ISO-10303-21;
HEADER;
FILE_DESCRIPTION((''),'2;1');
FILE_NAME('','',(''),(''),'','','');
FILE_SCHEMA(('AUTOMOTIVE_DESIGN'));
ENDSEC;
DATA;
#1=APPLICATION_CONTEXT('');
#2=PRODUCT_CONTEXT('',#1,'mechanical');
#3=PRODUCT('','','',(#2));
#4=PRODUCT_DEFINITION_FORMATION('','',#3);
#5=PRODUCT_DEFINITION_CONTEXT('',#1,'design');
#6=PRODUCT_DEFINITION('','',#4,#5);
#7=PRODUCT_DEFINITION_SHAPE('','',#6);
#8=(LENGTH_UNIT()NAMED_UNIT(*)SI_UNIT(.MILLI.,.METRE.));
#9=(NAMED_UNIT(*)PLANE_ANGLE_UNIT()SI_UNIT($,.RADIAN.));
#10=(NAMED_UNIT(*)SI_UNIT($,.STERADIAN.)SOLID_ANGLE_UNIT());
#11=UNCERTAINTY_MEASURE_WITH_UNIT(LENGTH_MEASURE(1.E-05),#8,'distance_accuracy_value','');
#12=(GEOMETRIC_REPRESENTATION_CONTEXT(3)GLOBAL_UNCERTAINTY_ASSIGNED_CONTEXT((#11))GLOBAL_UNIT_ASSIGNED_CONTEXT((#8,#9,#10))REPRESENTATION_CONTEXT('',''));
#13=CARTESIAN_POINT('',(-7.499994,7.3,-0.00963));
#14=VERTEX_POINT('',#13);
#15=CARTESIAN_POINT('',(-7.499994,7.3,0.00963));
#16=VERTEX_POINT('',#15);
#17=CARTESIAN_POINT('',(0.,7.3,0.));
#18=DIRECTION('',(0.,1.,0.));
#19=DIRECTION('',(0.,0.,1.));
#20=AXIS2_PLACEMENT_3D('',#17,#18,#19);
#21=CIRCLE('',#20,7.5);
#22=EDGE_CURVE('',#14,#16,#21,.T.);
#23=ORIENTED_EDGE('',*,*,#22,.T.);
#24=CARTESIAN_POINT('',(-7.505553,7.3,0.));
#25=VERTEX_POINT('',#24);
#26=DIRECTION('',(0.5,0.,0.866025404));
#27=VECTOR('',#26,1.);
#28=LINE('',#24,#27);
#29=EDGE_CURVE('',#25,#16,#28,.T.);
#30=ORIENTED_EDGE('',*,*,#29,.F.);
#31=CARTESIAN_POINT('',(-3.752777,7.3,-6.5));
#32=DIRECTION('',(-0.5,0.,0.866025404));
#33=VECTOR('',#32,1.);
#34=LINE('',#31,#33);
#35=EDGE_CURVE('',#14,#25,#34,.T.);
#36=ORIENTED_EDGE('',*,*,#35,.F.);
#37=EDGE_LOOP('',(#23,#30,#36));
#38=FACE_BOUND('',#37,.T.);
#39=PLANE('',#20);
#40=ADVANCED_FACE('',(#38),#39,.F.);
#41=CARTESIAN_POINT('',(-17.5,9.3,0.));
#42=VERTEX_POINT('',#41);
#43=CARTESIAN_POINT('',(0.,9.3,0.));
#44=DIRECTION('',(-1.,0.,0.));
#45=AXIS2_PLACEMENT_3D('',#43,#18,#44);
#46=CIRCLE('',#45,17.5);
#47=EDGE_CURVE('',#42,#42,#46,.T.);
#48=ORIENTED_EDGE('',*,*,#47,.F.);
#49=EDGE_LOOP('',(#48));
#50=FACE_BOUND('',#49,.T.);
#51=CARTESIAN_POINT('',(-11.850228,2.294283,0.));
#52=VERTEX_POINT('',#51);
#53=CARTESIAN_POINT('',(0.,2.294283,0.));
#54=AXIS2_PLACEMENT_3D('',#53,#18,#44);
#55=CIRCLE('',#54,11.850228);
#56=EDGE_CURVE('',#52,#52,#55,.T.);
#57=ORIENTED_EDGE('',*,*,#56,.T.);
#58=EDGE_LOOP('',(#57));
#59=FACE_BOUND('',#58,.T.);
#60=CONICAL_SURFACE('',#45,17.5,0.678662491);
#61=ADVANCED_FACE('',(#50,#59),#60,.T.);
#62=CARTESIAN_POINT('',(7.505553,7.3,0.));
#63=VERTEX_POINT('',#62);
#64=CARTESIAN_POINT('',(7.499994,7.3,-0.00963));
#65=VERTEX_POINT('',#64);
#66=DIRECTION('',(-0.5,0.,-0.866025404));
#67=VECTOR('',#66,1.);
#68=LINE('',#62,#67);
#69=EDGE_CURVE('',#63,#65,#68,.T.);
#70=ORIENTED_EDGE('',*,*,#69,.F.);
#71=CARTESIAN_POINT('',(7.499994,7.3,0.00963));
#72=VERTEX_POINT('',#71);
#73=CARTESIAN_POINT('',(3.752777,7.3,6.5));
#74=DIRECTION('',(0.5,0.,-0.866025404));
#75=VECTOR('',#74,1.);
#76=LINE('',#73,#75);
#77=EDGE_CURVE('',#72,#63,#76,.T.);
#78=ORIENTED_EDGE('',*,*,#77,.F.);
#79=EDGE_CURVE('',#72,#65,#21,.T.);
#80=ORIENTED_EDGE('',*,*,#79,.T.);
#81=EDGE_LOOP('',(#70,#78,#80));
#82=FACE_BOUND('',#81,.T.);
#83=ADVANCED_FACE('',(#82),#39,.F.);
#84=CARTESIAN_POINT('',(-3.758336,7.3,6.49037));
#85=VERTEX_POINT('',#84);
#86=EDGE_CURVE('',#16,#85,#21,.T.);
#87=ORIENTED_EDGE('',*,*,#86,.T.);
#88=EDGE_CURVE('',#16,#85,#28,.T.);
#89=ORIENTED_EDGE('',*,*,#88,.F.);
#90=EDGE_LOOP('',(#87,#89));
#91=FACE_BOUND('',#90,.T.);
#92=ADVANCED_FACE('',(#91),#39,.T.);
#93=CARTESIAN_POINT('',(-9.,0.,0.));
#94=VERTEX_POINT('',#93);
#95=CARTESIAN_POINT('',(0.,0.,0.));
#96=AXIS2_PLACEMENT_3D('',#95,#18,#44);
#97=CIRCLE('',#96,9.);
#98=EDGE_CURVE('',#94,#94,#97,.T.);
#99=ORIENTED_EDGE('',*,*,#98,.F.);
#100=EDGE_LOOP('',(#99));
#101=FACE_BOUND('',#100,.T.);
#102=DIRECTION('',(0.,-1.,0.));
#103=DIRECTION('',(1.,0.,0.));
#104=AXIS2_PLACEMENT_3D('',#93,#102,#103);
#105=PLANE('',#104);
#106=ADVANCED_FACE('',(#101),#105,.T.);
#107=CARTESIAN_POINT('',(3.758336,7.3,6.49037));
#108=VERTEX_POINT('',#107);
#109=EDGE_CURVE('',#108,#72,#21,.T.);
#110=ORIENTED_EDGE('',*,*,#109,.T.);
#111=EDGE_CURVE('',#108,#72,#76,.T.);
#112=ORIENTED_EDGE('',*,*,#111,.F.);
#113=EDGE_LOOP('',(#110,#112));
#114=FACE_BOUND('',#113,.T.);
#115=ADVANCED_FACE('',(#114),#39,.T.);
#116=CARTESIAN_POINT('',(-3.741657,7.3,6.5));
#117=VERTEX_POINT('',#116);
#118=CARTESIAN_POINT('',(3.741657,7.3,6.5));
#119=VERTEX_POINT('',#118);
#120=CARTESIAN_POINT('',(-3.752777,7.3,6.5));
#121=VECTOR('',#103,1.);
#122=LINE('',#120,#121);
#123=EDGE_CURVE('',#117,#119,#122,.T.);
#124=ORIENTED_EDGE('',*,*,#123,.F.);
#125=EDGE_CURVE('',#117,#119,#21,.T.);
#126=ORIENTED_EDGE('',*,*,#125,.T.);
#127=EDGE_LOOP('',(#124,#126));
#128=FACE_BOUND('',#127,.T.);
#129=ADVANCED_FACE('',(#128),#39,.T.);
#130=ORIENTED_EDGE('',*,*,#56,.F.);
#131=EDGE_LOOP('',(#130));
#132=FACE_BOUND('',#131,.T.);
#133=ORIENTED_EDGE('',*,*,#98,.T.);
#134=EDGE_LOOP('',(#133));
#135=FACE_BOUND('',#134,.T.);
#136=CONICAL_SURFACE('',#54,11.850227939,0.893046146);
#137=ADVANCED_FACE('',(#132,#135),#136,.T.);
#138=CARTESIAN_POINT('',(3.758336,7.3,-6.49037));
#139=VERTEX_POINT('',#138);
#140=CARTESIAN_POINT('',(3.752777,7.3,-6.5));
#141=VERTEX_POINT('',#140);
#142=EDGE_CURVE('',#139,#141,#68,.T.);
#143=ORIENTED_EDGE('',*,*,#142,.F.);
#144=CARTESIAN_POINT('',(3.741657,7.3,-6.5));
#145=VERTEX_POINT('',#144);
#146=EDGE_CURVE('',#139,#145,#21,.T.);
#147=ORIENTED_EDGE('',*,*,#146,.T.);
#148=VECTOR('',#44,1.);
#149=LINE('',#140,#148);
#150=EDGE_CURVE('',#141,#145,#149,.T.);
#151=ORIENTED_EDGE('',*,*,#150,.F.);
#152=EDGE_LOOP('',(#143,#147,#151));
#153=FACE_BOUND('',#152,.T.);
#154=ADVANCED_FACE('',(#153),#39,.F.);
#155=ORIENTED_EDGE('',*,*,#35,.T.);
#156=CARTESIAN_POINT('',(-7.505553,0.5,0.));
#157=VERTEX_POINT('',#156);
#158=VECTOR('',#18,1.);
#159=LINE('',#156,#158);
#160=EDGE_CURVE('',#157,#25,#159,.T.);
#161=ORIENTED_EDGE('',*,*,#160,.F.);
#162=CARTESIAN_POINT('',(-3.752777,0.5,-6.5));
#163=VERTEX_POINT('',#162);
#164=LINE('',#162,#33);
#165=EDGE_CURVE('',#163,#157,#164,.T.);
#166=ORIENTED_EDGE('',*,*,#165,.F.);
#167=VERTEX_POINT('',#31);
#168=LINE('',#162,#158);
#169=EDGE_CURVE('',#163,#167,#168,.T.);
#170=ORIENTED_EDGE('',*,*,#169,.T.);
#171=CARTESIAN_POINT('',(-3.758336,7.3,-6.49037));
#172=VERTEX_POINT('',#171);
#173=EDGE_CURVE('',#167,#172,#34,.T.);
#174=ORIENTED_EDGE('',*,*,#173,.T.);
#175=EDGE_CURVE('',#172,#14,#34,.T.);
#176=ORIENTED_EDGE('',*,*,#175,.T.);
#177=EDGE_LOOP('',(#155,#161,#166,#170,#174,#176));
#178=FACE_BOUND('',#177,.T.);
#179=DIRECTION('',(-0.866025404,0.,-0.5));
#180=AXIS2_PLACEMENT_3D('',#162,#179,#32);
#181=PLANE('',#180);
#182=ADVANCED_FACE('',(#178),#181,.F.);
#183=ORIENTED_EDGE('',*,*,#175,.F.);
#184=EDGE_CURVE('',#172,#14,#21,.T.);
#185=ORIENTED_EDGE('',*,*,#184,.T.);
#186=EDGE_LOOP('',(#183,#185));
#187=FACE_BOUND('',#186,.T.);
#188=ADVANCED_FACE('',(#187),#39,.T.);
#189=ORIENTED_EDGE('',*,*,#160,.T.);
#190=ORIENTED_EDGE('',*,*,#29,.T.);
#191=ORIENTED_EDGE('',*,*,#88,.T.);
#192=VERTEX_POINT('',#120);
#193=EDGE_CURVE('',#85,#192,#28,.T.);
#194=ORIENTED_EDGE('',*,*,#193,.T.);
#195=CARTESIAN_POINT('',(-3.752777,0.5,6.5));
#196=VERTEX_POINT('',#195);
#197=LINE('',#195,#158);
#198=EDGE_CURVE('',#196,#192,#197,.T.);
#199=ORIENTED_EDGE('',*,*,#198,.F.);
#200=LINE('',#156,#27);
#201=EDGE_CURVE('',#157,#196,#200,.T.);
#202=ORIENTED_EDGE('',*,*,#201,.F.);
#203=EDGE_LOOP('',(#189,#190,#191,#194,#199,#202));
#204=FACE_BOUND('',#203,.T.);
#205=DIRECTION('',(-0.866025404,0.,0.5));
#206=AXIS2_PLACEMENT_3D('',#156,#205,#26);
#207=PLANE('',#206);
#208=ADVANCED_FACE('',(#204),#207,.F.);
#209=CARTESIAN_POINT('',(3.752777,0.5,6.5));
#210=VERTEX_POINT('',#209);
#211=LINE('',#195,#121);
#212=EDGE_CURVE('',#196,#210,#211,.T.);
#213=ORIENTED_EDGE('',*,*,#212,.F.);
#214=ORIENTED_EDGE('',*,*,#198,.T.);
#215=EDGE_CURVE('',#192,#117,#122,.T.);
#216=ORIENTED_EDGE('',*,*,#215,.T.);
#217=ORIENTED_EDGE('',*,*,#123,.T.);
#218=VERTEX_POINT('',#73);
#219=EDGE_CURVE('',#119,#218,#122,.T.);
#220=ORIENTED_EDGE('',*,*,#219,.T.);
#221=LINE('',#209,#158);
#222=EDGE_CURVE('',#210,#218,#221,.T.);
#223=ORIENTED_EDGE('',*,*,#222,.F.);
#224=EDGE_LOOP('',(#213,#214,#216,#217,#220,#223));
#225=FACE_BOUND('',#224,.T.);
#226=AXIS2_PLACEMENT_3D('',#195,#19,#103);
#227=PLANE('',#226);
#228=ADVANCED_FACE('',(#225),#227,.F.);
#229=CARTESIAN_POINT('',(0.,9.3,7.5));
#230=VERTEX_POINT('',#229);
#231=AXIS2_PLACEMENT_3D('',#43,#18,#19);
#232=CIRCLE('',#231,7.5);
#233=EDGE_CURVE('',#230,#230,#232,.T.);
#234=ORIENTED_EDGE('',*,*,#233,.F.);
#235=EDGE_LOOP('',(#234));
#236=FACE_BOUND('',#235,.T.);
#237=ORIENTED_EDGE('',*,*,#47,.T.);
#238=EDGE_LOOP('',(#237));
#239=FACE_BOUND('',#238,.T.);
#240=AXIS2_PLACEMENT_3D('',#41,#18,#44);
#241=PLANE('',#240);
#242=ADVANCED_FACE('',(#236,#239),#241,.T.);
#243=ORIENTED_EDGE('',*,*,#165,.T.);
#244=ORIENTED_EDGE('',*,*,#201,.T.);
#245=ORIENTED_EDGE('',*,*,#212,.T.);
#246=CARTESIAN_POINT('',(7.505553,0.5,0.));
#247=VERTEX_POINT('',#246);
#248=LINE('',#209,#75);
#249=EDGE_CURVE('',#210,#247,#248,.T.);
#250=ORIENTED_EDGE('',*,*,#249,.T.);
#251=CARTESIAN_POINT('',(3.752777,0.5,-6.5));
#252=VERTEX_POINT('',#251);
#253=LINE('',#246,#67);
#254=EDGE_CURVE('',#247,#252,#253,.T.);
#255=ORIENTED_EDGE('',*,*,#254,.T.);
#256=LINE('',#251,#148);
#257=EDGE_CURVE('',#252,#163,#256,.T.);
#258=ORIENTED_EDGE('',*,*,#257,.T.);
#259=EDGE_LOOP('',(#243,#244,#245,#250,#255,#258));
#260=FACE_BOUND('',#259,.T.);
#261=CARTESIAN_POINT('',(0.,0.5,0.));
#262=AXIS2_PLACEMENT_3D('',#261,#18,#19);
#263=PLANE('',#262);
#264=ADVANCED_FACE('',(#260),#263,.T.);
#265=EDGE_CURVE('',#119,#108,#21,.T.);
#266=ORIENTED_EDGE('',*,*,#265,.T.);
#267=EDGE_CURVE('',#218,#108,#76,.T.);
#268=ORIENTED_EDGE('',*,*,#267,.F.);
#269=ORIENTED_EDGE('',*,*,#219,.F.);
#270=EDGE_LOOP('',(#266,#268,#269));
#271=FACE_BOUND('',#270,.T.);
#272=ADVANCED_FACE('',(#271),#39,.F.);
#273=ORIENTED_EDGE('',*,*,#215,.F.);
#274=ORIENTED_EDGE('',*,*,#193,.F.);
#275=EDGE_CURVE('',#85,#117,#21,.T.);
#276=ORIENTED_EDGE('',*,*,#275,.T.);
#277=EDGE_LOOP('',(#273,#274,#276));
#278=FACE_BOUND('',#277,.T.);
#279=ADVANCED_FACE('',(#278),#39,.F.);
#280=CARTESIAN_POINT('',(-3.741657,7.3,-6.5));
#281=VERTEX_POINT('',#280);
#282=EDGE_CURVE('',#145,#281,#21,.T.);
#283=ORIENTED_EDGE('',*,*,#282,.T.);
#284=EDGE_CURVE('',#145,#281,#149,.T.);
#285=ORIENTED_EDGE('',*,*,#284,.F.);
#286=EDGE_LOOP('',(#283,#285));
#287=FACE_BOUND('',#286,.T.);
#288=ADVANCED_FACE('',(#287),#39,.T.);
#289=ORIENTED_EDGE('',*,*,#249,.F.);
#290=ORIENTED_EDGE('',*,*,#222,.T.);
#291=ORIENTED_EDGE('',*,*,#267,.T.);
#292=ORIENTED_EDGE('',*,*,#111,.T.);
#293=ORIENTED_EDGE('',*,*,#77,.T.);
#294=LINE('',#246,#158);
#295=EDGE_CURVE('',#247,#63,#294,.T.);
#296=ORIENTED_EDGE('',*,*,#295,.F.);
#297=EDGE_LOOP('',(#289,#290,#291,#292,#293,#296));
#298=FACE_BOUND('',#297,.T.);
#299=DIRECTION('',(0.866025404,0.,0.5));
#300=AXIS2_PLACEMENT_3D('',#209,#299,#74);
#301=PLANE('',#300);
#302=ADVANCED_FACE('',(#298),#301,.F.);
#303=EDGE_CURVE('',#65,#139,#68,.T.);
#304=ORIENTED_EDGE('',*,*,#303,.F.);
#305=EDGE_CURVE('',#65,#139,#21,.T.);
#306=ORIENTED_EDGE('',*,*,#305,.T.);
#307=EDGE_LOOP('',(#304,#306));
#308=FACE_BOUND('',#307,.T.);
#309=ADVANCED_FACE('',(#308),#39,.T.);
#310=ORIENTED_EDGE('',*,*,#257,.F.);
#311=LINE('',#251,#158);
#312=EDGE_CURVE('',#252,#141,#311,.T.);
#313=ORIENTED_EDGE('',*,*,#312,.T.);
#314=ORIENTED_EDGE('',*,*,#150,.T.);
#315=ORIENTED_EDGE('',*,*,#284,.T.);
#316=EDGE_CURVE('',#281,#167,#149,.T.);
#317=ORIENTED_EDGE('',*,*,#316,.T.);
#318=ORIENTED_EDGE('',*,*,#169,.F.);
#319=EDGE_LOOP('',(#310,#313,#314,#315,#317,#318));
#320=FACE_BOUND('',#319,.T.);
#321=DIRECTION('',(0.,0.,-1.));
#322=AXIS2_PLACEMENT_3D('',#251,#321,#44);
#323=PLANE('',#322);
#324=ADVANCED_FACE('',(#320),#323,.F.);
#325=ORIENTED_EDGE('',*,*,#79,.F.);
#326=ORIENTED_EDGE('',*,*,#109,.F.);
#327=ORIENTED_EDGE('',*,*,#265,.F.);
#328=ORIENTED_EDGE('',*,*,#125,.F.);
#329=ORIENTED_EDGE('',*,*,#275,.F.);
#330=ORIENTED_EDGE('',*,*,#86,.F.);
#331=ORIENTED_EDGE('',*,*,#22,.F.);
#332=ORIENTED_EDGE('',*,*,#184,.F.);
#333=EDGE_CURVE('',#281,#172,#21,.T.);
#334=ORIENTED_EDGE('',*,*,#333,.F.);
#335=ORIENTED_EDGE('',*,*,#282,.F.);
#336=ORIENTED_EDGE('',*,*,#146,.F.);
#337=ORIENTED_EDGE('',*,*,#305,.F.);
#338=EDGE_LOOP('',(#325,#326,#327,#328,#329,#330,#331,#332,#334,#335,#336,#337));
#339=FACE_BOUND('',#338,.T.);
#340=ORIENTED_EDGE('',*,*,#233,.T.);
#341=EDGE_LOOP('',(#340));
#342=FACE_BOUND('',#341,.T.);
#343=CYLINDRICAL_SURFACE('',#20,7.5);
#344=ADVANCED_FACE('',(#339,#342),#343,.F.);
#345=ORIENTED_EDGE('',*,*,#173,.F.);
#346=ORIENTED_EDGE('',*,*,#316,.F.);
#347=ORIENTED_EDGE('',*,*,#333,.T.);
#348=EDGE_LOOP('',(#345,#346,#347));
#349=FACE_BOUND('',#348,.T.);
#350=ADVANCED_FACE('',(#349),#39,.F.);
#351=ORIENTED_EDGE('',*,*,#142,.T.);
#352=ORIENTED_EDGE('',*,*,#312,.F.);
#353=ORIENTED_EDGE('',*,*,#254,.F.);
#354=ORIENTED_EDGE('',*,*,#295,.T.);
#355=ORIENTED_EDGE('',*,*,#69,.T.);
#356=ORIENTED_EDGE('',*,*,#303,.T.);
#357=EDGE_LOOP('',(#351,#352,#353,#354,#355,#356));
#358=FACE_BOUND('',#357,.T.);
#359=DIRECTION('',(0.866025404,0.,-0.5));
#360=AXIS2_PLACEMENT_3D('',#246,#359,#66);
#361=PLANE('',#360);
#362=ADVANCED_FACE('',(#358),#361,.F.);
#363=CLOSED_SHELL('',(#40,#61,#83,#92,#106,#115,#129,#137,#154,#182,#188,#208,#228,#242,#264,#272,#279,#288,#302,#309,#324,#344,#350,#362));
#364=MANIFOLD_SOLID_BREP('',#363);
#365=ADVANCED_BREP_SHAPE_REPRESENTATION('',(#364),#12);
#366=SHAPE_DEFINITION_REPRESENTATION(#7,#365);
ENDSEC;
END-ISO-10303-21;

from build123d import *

# Parameters (mm, degrees)
SCHIZZO4_R               = 7.5
TAGLIO_ESTRUSIONE1_DEPTH = 2
TAGLIO_ESTRUSIONE2_DEPTH = 6.8


with BuildPart() as part:
    # Schizzo3 → Rivoluzione1 (revolve)
    with BuildSketch(Plane.XY):
        Polygon((-17.5, 9.3), (0, 9.3), (0, 0), (-9, 0), (-11.850227939, 2.294282645), align=None)
    revolve(axis=Axis((0, 9.3, 0), (0, -1, 0)))

    # Schizzo4 → Taglio-Estrusione1 (cut)
    with BuildSketch(Plane(origin=(0, 9.3, 0), x_dir=(1, 0, 0), z_dir=(0, 1, 0))):
        with Locations(Location((0, 0, 0), (0, 0, 270))):
            Circle(SCHIZZO4_R)
    extrude(amount=-TAGLIO_ESTRUSIONE1_DEPTH, mode=Mode.SUBTRACT)

    # Schizzo5 → Taglio-Estrusione2 (cut)
    with BuildSketch(Plane(origin=(0, 7.3, 0), x_dir=(1, 0, 0), z_dir=(0, 1, 0))):
        Polygon((3.75277675, -6.5), (7.505553499, 0), (3.75277675, 6.5), (-3.75277675, 6.5), (-7.505553499, 0), (-3.75277675, -6.5), align=None)
    extrude(amount=-TAGLIO_ESTRUSIONE2_DEPTH, mode=Mode.SUBTRACT)


solid = part.part
